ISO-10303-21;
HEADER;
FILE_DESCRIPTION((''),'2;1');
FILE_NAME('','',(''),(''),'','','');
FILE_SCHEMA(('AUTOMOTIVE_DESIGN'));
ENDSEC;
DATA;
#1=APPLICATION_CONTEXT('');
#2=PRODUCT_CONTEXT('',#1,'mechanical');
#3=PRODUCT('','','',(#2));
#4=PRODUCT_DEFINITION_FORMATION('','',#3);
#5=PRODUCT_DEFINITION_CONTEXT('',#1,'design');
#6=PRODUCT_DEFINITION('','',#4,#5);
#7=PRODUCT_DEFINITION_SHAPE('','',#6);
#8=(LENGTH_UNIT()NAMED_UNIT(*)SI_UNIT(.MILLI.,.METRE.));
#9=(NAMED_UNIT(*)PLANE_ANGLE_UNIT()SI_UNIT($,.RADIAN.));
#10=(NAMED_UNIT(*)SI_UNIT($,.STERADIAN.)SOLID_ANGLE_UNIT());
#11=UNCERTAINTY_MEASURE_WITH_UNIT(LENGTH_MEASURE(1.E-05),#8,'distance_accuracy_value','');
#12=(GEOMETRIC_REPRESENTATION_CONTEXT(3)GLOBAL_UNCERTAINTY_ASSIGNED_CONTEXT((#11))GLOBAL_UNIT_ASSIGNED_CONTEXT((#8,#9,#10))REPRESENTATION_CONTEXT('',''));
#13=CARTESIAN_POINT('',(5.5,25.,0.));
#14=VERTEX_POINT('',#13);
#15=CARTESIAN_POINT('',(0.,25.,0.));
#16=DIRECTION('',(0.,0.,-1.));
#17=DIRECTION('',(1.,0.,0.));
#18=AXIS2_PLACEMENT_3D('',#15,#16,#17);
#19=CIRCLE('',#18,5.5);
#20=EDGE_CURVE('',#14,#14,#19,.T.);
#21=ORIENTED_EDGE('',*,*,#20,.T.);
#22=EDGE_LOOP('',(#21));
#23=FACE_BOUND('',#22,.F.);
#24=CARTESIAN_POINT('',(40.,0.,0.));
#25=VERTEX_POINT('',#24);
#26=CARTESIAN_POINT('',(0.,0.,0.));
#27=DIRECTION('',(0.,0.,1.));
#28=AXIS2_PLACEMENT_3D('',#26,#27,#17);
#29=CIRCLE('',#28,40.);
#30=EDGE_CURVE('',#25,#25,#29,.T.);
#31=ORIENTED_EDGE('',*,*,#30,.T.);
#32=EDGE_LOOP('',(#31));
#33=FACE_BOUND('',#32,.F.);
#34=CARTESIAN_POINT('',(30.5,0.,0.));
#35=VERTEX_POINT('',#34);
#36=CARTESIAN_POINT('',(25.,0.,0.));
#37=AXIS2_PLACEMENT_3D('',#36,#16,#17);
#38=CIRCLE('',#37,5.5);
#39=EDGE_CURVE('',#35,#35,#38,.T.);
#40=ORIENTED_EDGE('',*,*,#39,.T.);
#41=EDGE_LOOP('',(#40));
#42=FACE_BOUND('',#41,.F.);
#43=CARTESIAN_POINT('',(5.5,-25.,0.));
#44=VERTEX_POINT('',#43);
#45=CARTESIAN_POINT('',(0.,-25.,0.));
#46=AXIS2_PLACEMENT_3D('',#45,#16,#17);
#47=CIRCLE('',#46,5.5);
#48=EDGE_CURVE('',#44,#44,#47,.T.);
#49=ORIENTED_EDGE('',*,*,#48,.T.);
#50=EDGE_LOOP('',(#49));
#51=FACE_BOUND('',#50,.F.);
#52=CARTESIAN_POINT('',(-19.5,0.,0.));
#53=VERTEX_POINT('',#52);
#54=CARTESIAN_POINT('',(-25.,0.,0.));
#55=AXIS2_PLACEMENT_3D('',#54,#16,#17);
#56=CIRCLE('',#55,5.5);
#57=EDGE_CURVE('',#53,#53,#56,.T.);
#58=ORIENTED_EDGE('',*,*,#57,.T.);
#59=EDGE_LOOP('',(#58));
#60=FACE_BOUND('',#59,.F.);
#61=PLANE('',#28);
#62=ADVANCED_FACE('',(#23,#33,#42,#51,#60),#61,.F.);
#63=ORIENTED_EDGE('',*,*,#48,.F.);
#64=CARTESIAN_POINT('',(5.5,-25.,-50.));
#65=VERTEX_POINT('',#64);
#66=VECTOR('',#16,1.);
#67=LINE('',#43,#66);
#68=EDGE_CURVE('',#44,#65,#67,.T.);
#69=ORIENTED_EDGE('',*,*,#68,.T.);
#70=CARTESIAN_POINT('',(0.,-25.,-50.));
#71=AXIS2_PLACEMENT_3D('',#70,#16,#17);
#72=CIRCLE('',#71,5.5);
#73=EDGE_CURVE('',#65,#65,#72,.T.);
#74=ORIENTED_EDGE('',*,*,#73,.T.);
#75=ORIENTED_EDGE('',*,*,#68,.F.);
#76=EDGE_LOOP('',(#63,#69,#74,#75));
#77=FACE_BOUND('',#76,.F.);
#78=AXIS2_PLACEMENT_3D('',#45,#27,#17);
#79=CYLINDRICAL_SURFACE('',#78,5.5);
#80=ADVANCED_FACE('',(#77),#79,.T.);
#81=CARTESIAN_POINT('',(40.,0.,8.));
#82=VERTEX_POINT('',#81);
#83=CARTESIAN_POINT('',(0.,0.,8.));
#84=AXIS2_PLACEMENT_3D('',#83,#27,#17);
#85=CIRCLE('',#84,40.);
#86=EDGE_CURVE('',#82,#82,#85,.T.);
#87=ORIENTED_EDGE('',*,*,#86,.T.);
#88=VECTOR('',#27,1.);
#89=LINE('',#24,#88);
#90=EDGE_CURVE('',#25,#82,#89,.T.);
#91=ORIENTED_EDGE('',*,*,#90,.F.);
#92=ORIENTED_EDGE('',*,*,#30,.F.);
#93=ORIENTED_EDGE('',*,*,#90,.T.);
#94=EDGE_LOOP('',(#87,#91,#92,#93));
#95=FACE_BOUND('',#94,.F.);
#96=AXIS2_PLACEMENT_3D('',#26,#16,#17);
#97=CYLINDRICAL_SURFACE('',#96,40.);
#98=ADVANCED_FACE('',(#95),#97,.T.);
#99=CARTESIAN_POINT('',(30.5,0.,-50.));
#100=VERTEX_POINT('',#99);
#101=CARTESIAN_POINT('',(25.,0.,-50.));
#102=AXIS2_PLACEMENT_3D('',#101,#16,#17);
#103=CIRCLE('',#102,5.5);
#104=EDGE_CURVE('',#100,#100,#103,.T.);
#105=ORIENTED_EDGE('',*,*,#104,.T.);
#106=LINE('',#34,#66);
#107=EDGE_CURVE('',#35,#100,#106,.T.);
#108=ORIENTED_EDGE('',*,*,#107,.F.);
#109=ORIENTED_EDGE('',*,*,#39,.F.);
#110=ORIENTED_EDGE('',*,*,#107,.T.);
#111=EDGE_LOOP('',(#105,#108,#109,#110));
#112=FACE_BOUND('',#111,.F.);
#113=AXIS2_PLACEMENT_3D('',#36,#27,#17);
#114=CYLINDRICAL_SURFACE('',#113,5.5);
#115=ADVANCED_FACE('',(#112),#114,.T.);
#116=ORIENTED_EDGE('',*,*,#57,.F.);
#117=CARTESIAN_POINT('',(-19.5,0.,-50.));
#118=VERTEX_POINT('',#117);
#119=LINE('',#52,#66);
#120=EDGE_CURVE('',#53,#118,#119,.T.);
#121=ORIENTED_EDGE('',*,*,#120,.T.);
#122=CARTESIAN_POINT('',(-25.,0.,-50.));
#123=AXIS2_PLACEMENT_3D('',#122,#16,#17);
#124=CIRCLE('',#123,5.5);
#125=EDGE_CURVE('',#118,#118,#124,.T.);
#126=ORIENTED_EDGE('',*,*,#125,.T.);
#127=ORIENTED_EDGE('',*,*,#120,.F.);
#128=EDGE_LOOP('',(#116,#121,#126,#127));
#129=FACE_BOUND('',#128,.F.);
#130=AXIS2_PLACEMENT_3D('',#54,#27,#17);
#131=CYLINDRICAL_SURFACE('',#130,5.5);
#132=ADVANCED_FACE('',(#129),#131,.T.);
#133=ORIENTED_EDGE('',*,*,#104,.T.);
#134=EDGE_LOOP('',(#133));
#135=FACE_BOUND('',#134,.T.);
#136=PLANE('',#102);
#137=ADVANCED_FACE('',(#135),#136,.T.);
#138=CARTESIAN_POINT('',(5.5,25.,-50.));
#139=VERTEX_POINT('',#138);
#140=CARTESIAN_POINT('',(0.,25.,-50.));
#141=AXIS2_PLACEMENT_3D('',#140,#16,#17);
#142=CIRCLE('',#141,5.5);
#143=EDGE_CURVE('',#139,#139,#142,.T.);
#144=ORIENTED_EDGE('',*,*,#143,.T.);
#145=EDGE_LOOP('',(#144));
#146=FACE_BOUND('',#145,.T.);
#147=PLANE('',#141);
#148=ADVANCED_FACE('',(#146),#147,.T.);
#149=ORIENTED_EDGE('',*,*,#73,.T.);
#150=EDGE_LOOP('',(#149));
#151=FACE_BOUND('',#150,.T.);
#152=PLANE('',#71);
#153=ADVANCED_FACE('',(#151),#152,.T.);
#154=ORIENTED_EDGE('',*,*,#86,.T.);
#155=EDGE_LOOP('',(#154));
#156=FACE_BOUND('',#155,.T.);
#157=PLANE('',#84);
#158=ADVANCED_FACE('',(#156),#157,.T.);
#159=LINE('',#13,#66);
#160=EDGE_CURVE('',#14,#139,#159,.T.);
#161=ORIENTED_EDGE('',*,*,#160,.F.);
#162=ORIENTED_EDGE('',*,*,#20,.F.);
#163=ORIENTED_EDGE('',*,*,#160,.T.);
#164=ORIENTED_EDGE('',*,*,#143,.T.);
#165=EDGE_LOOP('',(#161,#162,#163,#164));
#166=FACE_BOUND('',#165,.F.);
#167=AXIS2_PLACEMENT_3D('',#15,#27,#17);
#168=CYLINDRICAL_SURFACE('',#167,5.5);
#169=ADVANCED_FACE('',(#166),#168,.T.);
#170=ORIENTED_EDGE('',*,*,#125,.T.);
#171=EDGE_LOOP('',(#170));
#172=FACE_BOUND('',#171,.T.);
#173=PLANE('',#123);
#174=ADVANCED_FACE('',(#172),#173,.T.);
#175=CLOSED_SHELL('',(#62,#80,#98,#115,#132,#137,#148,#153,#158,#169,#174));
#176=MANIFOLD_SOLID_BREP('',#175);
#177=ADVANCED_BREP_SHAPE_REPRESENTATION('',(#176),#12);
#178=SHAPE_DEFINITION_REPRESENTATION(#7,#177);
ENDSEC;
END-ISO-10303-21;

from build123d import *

# Parameters (mm, degrees)
SKETCH_R     = 40
PAD_DEPTH    = 8
SKETCH001_R  = 5.5
PAD001_DEPTH = 50


with BuildPart() as part:
    # Sketch → Pad (new body)
    with BuildSketch(Plane.XY):
        Circle(SKETCH_R)
    extrude(amount=PAD_DEPTH)

    # Sketch001 → Pad001 (new body)
    with BuildSketch(Plane(origin=(0, 0, 0), x_dir=(1, 0, 0), z_dir=(0, 0, -1))):
        with Locations((0, 25)):
            Circle(SKETCH001_R)
        with Locations((-25, 0)):
            Circle(SKETCH001_R)
        with Locations((0, -25)):
            Circle(SKETCH001_R)
        with Locations((25, 0)):
            Circle(SKETCH001_R)
    extrude(amount=PAD001_DEPTH)


solid = part.part
